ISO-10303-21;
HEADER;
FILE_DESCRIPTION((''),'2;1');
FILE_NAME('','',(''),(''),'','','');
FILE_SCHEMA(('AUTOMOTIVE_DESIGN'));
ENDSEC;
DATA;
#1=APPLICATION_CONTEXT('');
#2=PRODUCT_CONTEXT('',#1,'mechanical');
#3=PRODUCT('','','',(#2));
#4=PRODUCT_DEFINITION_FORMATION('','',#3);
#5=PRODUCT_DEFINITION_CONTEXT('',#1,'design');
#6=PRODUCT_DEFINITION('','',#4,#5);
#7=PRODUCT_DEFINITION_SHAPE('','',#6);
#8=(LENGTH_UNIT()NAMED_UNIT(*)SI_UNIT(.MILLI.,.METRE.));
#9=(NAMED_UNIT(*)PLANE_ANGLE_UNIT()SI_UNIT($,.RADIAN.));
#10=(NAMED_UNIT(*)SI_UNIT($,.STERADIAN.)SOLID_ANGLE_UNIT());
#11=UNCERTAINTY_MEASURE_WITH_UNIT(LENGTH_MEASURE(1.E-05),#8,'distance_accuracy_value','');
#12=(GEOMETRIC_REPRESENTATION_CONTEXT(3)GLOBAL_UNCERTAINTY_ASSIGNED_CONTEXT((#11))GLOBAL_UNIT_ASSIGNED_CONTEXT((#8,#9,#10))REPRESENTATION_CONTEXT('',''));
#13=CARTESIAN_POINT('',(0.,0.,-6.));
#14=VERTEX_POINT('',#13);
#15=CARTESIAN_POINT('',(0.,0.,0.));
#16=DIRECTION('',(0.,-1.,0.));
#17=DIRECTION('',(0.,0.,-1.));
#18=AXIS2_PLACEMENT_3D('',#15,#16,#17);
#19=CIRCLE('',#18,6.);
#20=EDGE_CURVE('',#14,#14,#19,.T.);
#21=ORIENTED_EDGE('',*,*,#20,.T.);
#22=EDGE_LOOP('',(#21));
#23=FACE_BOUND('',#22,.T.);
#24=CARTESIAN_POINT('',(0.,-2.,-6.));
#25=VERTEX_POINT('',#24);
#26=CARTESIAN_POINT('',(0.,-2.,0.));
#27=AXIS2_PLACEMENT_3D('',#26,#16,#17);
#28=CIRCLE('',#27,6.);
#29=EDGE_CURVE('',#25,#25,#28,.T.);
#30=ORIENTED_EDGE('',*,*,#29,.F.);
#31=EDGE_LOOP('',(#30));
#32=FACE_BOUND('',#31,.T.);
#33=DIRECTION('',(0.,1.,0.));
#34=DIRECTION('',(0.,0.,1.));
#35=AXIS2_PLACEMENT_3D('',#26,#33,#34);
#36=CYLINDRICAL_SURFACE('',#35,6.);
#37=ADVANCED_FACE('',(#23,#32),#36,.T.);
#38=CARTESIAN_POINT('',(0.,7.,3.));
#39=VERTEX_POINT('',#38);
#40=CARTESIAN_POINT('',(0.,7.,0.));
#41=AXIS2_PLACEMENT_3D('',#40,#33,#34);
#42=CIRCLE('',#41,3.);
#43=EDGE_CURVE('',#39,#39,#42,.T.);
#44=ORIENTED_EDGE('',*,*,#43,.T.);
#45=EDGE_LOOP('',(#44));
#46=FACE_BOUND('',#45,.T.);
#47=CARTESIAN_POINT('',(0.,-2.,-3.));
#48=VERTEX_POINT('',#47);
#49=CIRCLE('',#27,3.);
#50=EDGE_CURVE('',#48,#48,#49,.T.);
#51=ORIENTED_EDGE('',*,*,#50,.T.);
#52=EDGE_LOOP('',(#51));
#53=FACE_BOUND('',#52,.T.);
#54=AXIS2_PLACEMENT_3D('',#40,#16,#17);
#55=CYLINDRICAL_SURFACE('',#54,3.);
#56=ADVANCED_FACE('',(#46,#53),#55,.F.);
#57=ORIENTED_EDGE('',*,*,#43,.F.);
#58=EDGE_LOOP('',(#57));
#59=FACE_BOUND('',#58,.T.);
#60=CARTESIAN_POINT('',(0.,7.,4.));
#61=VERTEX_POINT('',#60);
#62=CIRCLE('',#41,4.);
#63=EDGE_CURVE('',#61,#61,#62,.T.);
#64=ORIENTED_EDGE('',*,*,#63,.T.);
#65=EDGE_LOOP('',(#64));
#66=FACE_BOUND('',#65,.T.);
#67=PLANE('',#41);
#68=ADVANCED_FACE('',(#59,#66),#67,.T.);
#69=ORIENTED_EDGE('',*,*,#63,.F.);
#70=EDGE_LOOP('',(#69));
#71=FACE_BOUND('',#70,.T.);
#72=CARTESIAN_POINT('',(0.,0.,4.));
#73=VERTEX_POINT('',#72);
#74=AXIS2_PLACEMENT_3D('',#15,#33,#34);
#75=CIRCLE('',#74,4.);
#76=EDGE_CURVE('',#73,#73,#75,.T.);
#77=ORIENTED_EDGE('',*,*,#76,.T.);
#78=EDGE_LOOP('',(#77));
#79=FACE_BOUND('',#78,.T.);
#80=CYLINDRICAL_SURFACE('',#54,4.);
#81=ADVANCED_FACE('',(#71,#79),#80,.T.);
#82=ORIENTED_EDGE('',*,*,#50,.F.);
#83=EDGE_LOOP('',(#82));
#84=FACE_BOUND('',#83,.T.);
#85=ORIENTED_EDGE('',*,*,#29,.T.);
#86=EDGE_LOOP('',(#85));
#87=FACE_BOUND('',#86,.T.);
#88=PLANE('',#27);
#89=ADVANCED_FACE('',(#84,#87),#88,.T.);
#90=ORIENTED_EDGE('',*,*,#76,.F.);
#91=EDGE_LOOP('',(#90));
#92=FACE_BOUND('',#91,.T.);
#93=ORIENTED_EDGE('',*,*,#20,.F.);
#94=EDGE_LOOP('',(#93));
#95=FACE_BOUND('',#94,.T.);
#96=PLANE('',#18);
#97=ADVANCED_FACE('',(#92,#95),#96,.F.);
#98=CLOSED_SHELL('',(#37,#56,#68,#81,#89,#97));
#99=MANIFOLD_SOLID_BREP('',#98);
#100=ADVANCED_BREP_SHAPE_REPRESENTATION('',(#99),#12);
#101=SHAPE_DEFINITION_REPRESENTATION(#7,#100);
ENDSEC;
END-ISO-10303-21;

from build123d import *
from build123d.topology import SkipClean

# Parameters (mm, degrees)
CROQUIS1_R              = 4
CROQUIS1_R_2            = 3
SALIENTE_EXTRUIR1_DEPTH = 7
SALIENTE_EXTRUIR2_START = 2
CROQUIS2_R              = 6
CROQUIS2_R_2            = 3
SALIENTE_EXTRUIR2_DEPTH = 2


with BuildPart() as part:
    # Croquis1 → Saliente-Extruir1 (new body)
    with BuildSketch(Plane(origin=(0, 0, 0), x_dir=(1, 0, 0), z_dir=(0, 1, 0))):
        with Locations(Location((0, 0, 0), (0, 0, 270))):
            Circle(CROQUIS1_R)
        with Locations(Location((0, 0, 0), (0, 0, 270))):
            Circle(CROQUIS1_R_2, mode=Mode.SUBTRACT)
    extrude(amount=SALIENTE_EXTRUIR1_DEPTH)

    # Croquis2 → Saliente-Extruir2 (add)
    with SkipClean():  # the faces are left unmerged after this step: merging them gives an invalid solid
        with BuildSketch(Plane.XZ.offset(SALIENTE_EXTRUIR2_START)):
            with Locations(Location((0, 0, 0), (0, 0, 270))):
                Circle(CROQUIS2_R)
            with Locations(Location((0, 0, 0), (0, 0, 270))):
                Circle(CROQUIS2_R_2, mode=Mode.SUBTRACT)
        extrude(amount=-SALIENTE_EXTRUIR2_DEPTH)


solid = part.part
